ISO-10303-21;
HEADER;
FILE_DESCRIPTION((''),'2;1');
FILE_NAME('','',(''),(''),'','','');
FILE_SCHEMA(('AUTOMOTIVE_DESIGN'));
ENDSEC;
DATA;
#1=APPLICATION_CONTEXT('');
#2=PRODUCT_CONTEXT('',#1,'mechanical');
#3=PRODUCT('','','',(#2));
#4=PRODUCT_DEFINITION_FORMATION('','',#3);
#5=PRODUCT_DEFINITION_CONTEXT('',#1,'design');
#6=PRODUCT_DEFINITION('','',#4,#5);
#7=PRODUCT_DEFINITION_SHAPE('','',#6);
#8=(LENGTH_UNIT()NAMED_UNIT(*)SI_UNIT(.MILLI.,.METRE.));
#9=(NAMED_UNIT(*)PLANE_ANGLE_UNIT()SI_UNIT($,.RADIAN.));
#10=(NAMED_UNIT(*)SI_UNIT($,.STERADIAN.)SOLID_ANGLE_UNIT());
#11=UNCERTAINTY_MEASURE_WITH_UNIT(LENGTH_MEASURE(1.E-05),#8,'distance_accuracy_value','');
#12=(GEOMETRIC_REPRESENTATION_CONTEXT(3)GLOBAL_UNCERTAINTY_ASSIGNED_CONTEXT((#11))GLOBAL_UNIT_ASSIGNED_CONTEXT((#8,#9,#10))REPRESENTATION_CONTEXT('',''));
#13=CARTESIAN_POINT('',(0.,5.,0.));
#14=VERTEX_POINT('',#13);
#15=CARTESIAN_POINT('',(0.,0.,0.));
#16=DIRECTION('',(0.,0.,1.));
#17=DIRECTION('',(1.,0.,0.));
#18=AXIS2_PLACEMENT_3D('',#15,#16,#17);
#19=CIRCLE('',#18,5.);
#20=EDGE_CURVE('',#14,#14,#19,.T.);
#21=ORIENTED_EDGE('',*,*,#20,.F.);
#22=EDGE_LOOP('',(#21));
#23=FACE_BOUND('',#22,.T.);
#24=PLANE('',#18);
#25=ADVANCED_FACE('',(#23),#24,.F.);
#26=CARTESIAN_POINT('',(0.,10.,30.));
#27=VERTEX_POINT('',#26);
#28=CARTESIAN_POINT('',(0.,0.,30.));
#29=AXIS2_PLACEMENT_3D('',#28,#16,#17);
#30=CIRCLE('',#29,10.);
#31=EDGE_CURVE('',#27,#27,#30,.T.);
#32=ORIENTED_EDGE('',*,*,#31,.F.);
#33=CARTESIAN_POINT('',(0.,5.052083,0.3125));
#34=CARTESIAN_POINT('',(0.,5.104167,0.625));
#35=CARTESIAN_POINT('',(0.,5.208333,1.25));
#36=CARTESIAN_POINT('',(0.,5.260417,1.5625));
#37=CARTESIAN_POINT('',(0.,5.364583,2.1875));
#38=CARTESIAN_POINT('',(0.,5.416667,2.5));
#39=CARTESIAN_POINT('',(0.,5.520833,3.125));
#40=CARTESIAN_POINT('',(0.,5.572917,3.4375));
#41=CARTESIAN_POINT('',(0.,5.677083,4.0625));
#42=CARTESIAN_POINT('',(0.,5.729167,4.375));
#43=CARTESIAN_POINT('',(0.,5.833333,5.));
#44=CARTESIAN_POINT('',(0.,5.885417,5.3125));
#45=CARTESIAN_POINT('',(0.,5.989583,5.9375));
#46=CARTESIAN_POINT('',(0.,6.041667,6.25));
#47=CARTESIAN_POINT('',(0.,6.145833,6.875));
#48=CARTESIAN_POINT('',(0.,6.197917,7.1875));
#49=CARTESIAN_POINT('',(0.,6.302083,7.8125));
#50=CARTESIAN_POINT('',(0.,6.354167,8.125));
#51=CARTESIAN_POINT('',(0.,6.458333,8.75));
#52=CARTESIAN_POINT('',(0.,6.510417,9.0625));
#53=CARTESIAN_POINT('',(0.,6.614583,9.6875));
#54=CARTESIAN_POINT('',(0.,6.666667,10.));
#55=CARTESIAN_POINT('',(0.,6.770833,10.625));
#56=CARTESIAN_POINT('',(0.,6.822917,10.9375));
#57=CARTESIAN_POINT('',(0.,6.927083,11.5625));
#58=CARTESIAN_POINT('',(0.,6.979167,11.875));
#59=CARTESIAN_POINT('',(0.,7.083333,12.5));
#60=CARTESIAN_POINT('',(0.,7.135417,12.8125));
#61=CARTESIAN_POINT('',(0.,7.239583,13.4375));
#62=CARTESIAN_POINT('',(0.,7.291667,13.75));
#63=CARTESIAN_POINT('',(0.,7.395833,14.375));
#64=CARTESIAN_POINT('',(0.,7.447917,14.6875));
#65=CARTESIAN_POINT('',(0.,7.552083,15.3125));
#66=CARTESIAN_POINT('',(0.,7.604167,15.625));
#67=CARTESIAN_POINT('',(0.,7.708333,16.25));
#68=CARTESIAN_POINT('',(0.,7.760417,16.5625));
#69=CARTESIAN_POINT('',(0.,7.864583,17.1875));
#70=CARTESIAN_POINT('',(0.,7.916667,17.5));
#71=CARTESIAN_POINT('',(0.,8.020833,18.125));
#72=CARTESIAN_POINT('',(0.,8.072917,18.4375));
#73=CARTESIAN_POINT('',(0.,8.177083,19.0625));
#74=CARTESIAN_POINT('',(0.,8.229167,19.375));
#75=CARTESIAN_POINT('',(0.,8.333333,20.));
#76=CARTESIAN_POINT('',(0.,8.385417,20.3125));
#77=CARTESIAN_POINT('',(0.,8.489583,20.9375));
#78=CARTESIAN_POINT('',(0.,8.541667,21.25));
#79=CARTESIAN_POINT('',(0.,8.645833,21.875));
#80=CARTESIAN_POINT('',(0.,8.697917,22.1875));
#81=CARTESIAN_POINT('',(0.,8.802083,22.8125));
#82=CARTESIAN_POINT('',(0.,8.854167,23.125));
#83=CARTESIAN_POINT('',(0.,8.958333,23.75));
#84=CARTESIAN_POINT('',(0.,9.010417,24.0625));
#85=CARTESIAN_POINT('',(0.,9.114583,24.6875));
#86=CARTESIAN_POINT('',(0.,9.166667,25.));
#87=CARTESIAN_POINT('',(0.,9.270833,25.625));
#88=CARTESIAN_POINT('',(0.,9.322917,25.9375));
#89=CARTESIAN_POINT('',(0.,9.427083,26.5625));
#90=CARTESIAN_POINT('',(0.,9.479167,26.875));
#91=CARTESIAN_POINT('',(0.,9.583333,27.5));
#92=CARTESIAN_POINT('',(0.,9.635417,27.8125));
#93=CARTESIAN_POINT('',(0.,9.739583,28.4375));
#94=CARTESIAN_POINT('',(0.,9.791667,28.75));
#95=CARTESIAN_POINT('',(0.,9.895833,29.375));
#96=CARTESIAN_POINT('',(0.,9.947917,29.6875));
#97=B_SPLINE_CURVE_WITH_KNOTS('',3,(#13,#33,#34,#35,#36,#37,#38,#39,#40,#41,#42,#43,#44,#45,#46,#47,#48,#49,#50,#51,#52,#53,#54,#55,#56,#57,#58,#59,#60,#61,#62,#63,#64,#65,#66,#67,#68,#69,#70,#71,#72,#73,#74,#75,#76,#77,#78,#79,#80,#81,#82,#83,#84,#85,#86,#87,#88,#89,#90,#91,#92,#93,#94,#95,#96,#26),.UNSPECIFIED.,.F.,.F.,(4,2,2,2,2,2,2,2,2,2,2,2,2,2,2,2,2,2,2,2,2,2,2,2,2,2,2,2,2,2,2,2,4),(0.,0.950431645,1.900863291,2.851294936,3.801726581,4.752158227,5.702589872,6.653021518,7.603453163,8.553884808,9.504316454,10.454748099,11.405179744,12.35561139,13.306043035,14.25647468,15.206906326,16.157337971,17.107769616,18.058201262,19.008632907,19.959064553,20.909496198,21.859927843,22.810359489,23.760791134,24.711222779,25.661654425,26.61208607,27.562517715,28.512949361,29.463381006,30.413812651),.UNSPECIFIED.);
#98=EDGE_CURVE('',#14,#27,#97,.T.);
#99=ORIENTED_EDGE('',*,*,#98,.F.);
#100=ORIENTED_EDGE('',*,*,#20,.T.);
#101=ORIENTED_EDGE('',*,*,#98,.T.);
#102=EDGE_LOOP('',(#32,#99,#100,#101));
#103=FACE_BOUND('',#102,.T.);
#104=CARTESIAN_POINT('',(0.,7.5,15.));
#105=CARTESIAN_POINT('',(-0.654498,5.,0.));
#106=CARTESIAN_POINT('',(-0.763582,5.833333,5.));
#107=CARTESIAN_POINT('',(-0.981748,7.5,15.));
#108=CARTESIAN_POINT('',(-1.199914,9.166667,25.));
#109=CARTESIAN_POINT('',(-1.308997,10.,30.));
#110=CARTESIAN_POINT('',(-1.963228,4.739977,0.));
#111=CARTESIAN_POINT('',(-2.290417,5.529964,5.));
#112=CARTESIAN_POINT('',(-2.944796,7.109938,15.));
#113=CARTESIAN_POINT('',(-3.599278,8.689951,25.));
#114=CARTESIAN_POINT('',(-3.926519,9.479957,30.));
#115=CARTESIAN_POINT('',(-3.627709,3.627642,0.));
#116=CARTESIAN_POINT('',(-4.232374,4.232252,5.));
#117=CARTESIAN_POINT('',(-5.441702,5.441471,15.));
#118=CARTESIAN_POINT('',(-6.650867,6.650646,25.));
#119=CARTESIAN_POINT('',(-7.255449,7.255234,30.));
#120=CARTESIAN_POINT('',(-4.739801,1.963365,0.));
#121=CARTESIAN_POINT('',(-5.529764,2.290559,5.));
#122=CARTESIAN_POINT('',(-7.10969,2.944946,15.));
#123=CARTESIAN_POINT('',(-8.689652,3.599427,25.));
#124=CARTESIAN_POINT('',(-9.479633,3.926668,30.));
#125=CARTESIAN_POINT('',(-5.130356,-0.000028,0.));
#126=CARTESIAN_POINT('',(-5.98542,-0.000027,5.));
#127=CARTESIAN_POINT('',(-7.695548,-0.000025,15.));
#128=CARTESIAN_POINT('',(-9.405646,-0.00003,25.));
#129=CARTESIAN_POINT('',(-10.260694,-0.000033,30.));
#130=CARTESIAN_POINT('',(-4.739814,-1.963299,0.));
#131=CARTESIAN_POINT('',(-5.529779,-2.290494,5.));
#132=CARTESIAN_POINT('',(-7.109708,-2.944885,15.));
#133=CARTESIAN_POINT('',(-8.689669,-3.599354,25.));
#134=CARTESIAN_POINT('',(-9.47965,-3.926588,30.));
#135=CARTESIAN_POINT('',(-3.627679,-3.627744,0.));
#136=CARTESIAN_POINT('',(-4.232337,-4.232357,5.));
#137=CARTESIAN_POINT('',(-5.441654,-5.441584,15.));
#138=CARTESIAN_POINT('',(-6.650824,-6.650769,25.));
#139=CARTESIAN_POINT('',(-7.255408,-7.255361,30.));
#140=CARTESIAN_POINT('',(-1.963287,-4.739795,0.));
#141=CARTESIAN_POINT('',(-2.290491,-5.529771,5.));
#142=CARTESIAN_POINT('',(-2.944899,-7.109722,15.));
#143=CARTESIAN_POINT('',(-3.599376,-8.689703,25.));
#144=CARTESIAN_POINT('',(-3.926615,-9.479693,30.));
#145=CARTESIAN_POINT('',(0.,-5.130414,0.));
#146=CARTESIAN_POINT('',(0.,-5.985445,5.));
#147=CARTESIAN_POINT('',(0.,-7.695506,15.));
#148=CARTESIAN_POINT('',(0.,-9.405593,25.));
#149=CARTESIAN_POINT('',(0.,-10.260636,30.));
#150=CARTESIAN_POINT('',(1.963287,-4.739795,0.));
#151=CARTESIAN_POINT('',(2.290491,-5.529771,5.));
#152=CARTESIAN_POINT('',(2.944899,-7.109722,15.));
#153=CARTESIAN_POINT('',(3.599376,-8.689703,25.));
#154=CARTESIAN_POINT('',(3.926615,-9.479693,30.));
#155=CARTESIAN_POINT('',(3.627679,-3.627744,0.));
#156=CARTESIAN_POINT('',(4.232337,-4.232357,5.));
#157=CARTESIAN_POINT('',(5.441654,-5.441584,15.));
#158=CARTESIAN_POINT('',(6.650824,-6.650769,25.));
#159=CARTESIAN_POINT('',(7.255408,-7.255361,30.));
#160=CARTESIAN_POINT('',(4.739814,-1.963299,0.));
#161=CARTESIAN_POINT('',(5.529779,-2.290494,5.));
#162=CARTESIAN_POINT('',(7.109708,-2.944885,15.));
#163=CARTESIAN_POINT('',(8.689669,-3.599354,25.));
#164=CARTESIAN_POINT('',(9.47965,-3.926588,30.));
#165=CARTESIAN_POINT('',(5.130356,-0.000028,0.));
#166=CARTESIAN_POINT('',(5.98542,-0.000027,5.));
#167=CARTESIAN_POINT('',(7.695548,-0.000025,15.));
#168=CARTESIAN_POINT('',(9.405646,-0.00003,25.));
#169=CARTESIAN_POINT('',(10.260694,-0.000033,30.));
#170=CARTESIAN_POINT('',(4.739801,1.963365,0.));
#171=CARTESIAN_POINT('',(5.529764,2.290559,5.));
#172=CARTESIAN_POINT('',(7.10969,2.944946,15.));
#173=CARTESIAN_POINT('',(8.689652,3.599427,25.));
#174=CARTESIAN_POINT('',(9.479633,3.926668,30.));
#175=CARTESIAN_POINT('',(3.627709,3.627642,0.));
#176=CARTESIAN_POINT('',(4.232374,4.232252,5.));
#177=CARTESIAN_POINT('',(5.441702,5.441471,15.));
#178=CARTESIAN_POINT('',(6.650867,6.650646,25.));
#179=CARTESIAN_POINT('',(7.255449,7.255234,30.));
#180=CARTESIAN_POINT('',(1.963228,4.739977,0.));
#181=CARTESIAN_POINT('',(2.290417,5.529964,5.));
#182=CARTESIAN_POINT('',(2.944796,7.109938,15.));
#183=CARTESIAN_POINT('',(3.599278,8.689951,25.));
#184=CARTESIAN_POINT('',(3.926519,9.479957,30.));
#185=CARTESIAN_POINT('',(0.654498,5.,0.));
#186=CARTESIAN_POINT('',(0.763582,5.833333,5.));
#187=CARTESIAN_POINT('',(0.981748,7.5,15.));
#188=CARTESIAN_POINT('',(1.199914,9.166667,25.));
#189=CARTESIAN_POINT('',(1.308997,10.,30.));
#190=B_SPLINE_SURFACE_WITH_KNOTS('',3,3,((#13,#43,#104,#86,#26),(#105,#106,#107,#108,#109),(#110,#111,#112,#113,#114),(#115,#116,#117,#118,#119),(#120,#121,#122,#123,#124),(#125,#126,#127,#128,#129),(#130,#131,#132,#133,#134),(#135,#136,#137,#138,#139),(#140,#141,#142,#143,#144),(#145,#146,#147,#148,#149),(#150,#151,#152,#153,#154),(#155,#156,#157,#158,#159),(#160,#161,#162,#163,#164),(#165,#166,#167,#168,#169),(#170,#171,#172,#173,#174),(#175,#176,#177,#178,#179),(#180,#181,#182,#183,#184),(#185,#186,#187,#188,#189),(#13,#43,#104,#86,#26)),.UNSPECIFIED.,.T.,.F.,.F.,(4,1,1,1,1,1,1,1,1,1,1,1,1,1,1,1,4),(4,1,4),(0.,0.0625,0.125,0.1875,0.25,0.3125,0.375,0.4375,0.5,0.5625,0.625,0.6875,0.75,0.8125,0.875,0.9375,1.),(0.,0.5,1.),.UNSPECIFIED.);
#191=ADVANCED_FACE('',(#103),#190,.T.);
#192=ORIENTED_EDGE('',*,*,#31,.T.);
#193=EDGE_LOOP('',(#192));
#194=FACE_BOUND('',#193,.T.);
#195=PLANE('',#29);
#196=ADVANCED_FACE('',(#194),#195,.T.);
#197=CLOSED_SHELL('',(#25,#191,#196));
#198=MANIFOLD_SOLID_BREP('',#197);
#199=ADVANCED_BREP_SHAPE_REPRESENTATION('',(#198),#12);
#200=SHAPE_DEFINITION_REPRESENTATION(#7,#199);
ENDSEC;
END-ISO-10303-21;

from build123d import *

# Parameters (mm, degrees)
PROFILE1_R = 5
PROFILE2_R = 7.5
PROFILE3_R = 10


with BuildPart() as part:
    # Profile1 → loft_three_sections section 0
    with BuildSketch(Plane.XY):
        Circle(PROFILE1_R)
    # Profile2 → loft_three_sections section 1
    with BuildSketch(Plane.XY.offset(15)):
        Circle(PROFILE2_R)
    # Profile3 → loft_three_sections section 2
    with BuildSketch(Plane.XY.offset(30)):
        Circle(PROFILE3_R)
    loft()


solid = part.part
